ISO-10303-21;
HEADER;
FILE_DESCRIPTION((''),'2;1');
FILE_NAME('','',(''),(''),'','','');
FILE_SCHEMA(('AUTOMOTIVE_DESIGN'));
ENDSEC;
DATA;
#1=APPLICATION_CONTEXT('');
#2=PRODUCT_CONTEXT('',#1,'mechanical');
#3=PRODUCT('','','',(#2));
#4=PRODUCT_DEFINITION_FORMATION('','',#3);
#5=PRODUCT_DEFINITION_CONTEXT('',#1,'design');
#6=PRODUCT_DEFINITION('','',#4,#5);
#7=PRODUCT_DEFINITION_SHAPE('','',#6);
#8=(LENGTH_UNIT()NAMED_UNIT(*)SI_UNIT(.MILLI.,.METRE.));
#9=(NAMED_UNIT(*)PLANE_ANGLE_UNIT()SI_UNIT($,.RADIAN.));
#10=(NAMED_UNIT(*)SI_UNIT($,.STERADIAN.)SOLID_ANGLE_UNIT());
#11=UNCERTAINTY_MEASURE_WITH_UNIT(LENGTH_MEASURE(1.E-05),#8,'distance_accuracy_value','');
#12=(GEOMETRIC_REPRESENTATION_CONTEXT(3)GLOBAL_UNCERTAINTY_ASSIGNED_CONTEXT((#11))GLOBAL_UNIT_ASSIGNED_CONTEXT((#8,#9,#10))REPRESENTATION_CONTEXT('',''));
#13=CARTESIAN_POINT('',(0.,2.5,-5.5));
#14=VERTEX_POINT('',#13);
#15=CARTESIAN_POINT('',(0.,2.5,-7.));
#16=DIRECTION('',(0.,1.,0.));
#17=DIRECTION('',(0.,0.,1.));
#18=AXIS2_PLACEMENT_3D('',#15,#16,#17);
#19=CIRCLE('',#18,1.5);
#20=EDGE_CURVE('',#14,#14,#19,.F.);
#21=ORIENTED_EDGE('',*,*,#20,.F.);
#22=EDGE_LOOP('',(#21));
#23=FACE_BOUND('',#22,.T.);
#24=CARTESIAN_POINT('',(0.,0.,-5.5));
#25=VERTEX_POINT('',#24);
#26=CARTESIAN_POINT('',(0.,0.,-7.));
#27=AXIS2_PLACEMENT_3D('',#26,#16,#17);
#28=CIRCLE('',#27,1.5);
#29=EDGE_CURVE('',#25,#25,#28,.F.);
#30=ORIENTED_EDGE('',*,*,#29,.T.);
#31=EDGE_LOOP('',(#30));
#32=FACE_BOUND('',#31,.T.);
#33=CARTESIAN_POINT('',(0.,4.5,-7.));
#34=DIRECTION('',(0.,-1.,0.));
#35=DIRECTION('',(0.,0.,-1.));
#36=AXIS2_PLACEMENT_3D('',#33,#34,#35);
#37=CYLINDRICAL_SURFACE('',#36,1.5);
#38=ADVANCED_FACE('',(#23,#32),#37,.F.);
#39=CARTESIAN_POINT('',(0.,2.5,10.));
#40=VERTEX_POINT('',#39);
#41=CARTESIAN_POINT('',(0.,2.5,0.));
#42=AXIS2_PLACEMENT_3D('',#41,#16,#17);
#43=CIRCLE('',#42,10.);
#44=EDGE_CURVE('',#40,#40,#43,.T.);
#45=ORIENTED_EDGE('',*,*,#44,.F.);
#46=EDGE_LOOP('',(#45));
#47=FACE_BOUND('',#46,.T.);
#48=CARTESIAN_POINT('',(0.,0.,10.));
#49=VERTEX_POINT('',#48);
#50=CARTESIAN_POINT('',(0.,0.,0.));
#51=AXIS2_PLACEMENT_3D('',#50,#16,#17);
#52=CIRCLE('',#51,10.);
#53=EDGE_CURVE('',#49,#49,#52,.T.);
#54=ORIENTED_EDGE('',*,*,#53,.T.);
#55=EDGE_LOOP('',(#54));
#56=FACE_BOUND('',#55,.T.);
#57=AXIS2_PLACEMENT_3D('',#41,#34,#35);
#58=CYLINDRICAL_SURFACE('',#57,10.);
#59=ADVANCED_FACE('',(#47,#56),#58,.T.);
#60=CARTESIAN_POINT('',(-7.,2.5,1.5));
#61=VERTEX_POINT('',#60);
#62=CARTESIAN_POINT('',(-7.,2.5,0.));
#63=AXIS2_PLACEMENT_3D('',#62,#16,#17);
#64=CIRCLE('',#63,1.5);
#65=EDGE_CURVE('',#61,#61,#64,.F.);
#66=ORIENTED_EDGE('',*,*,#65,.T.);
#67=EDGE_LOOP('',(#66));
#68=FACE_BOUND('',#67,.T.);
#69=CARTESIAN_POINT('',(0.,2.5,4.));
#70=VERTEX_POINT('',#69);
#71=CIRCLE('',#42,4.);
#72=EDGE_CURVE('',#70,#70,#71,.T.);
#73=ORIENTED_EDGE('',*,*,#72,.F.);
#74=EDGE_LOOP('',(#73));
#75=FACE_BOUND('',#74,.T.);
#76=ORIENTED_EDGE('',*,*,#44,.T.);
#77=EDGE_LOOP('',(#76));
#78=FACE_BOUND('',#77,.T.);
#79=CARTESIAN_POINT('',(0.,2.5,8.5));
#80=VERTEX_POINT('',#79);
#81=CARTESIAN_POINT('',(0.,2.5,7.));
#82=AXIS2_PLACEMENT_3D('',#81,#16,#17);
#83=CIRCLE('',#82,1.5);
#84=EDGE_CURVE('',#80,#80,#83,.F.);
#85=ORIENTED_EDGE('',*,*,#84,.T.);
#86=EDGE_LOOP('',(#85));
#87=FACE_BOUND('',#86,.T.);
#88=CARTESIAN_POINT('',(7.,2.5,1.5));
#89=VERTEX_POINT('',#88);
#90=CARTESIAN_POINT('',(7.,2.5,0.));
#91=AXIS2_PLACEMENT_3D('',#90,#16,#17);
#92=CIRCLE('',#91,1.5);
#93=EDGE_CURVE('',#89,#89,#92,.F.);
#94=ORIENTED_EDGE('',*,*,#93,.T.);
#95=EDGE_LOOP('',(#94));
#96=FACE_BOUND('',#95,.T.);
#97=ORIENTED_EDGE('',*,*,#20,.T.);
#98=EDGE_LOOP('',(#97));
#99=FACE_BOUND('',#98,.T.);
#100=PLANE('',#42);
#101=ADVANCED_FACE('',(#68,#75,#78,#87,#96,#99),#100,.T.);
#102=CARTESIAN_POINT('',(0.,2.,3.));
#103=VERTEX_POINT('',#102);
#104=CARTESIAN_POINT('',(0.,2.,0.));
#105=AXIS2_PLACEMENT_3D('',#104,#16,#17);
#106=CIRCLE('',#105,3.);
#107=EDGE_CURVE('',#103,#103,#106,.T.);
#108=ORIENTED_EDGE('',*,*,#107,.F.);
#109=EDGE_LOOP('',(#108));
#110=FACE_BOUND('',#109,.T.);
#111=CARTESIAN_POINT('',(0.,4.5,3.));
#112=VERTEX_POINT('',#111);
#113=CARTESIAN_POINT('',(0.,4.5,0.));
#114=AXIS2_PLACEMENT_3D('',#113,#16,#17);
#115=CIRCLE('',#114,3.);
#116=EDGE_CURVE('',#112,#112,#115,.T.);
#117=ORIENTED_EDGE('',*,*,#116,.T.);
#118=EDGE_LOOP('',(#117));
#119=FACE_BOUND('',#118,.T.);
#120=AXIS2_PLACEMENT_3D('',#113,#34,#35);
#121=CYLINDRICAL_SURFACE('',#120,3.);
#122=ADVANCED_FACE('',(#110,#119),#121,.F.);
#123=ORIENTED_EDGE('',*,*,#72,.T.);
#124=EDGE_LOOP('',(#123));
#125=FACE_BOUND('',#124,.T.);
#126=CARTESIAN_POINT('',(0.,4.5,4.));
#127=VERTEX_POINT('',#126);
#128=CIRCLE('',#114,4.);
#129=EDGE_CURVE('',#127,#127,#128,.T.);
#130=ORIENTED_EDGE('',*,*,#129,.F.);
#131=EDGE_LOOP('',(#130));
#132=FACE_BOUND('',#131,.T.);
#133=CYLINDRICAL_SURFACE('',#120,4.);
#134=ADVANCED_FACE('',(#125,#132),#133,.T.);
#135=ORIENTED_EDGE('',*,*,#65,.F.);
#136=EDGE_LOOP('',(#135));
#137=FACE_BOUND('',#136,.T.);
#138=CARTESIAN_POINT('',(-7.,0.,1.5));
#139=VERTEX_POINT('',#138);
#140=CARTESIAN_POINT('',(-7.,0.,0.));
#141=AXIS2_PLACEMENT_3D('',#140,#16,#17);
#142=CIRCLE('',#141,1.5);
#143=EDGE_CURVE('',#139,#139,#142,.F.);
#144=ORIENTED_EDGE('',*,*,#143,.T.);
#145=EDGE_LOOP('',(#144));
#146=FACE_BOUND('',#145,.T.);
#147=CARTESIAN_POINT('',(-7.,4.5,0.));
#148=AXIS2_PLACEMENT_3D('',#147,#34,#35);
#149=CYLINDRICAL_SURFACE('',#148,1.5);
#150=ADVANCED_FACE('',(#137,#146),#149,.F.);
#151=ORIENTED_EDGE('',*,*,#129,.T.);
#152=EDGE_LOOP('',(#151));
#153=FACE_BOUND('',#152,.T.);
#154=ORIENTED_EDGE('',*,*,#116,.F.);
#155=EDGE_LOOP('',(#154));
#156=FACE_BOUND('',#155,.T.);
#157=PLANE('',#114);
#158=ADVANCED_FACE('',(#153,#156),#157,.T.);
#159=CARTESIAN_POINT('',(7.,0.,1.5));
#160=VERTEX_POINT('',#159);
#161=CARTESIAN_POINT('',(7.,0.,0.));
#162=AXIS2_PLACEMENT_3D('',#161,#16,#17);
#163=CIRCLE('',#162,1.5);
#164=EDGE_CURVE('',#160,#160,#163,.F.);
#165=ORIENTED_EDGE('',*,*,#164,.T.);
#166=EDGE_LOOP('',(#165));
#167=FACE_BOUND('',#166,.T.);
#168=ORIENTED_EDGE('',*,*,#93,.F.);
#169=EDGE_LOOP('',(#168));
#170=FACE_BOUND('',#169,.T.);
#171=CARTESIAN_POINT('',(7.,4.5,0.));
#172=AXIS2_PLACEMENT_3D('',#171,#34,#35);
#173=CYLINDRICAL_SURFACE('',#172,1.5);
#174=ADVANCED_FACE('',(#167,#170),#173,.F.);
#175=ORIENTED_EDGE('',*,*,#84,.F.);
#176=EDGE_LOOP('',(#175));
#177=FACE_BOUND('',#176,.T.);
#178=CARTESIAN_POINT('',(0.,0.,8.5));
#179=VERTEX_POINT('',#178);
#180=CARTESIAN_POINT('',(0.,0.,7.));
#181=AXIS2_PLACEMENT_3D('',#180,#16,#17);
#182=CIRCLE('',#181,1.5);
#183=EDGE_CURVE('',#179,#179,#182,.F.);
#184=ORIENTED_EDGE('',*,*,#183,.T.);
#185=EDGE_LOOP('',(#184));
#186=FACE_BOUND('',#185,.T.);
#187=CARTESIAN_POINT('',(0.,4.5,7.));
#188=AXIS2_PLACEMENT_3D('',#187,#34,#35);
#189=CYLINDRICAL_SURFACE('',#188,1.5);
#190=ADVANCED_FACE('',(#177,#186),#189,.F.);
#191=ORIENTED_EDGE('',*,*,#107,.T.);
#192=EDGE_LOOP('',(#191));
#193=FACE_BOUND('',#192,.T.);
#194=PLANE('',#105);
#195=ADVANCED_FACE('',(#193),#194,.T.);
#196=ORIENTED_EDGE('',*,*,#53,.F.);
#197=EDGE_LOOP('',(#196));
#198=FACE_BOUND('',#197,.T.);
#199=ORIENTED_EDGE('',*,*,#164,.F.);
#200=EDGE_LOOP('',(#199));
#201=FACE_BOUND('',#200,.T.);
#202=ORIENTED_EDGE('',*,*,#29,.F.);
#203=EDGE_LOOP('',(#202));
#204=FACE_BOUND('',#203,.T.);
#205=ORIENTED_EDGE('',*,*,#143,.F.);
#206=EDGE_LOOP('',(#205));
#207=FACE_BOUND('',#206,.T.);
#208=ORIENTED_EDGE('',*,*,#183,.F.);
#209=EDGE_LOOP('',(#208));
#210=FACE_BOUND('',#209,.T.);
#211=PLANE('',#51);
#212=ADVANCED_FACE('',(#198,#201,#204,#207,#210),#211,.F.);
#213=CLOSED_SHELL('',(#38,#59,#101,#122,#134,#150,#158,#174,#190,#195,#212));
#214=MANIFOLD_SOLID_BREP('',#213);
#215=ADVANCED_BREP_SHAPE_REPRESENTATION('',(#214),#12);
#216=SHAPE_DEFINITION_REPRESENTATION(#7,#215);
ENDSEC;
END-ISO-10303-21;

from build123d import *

# Parameters (mm, degrees)
SKETCH1_R                      = 10
BOSS_EXTRUDE1_DEPTH            = 2.5
SKETCH2_R                      = 4
SKETCH2_R_2                    = 3
BOSS_EXTRUDE2_DEPTH            = 2
CUT_EXTRUDE1_START             = -0.5
SKETCH3_R                      = 3
CUT_EXTRUDE1_DEPTH             = 0.5
CUT_EXTRUDE3_REACH             = 16.361
SKETCH4_R                      = 1.5
CUT_EXTRUDE3_DIRECTION_2_DEPTH = 15.361406616


with BuildPart() as part:
    # Sketch1 → Boss-Extrude1 (new body)
    with BuildSketch(Plane(origin=(0, 0, 0), x_dir=(1, 0, 0), z_dir=(0, 1, 0))):
        with Locations(Location((0, 0, 0), (0, 0, 270))):
            Circle(SKETCH1_R)
    extrude(amount=BOSS_EXTRUDE1_DEPTH)

    # Sketch2 → Boss-Extrude2 (add)
    with BuildSketch(Plane(origin=(0, 2.5, 0), x_dir=(1, 0, 0), z_dir=(0, 1, 0))):
        with Locations(Location((0, 0, 0), (0, 0, 270))):
            Circle(SKETCH2_R)
        with Locations(Location((0, 0, 0), (0, 0, 270))):
            Circle(SKETCH2_R_2, mode=Mode.SUBTRACT)
    extrude(amount=BOSS_EXTRUDE2_DEPTH)

    # Sketch3 → Cut-Extrude1 (cut)
    with BuildSketch(Plane(origin=(0, 2.5, 0), x_dir=(1, 0, 0), z_dir=(0, 1, 0)).offset(CUT_EXTRUDE1_START)):
        with Locations(Location((0, 0, 0), (0, 0, 270))):
            Circle(SKETCH3_R)
    extrude(amount=CUT_EXTRUDE1_DEPTH, mode=Mode.SUBTRACT)

    # Sketch4 → Cut-Extrude3 (cut, up to next)
    with BuildSketch(Plane(origin=(0, 2, 0), x_dir=(1, 0, 0), z_dir=(0, 1, 0)), mode=Mode.PRIVATE) as cut_extrude3_sk1:
        with Locations(Location((0, 7, 0), (0, 0, 270))):
            Circle(SKETCH4_R)
    cut_extrude3_tool1 = extrude(cut_extrude3_sk1.sketch, amount=-CUT_EXTRUDE3_REACH, mode=Mode.PRIVATE) & part.part
    # Sketch4 → Cut-Extrude3 (cut, up to next)
    with BuildSketch(Plane(origin=(0, 2, 0), x_dir=(1, 0, 0), z_dir=(0, 1, 0)), mode=Mode.PRIVATE) as cut_extrude3_sk2:
        with Locations(Location((7, 0, 0), (0, 0, 270))):
            Circle(SKETCH4_R)
    cut_extrude3_tool2 = extrude(cut_extrude3_sk2.sketch, amount=-CUT_EXTRUDE3_REACH, mode=Mode.PRIVATE) & part.part
    # Sketch4 → Cut-Extrude3 (cut, up to next)
    with BuildSketch(Plane(origin=(0, 2, 0), x_dir=(1, 0, 0), z_dir=(0, 1, 0)), mode=Mode.PRIVATE) as cut_extrude3_sk3:
        with Locations(Location((0, -7, 0), (0, 0, 270))):
            Circle(SKETCH4_R)
    cut_extrude3_tool3 = extrude(cut_extrude3_sk3.sketch, amount=-CUT_EXTRUDE3_REACH, mode=Mode.PRIVATE) & part.part
    # Sketch4 → Cut-Extrude3 (cut, up to next)
    with BuildSketch(Plane(origin=(0, 2, 0), x_dir=(1, 0, 0), z_dir=(0, 1, 0)), mode=Mode.PRIVATE) as cut_extrude3_sk4:
        with Locations(Location((-7, 0, 0), (0, 0, 270))):
            Circle(SKETCH4_R)
    cut_extrude3_tool4 = extrude(cut_extrude3_sk4.sketch, amount=-CUT_EXTRUDE3_REACH, mode=Mode.PRIVATE) & part.part
    add(cut_extrude3_tool1.solids().sort_by_distance((0, 2, -7))[0], mode=Mode.SUBTRACT)
    add(cut_extrude3_tool2.solids().sort_by_distance((7, 2, 0))[0], mode=Mode.SUBTRACT)
    add(cut_extrude3_tool3.solids().sort_by_distance((0, 2, 7))[0], mode=Mode.SUBTRACT)
    add(cut_extrude3_tool4.solids().sort_by_distance((-7, 2, 0))[0], mode=Mode.SUBTRACT)

    # Sketch4 → Cut-Extrude3 direction 2 (cut)
    with BuildSketch(Plane(origin=(0, 2, 0), x_dir=(1, 0, 0), z_dir=(0, 1, 0))):
        with Locations(Location((0, 7, 0), (0, 0, 270))):
            Circle(SKETCH4_R)
        with Locations(Location((7, 0, 0), (0, 0, 270))):
            Circle(SKETCH4_R)
        with Locations(Location((0, -7, 0), (0, 0, 270))):
            Circle(SKETCH4_R)
        with Locations(Location((-7, 0, 0), (0, 0, 270))):
            Circle(SKETCH4_R)
    extrude(amount=CUT_EXTRUDE3_DIRECTION_2_DEPTH, mode=Mode.SUBTRACT)


solid = part.part
